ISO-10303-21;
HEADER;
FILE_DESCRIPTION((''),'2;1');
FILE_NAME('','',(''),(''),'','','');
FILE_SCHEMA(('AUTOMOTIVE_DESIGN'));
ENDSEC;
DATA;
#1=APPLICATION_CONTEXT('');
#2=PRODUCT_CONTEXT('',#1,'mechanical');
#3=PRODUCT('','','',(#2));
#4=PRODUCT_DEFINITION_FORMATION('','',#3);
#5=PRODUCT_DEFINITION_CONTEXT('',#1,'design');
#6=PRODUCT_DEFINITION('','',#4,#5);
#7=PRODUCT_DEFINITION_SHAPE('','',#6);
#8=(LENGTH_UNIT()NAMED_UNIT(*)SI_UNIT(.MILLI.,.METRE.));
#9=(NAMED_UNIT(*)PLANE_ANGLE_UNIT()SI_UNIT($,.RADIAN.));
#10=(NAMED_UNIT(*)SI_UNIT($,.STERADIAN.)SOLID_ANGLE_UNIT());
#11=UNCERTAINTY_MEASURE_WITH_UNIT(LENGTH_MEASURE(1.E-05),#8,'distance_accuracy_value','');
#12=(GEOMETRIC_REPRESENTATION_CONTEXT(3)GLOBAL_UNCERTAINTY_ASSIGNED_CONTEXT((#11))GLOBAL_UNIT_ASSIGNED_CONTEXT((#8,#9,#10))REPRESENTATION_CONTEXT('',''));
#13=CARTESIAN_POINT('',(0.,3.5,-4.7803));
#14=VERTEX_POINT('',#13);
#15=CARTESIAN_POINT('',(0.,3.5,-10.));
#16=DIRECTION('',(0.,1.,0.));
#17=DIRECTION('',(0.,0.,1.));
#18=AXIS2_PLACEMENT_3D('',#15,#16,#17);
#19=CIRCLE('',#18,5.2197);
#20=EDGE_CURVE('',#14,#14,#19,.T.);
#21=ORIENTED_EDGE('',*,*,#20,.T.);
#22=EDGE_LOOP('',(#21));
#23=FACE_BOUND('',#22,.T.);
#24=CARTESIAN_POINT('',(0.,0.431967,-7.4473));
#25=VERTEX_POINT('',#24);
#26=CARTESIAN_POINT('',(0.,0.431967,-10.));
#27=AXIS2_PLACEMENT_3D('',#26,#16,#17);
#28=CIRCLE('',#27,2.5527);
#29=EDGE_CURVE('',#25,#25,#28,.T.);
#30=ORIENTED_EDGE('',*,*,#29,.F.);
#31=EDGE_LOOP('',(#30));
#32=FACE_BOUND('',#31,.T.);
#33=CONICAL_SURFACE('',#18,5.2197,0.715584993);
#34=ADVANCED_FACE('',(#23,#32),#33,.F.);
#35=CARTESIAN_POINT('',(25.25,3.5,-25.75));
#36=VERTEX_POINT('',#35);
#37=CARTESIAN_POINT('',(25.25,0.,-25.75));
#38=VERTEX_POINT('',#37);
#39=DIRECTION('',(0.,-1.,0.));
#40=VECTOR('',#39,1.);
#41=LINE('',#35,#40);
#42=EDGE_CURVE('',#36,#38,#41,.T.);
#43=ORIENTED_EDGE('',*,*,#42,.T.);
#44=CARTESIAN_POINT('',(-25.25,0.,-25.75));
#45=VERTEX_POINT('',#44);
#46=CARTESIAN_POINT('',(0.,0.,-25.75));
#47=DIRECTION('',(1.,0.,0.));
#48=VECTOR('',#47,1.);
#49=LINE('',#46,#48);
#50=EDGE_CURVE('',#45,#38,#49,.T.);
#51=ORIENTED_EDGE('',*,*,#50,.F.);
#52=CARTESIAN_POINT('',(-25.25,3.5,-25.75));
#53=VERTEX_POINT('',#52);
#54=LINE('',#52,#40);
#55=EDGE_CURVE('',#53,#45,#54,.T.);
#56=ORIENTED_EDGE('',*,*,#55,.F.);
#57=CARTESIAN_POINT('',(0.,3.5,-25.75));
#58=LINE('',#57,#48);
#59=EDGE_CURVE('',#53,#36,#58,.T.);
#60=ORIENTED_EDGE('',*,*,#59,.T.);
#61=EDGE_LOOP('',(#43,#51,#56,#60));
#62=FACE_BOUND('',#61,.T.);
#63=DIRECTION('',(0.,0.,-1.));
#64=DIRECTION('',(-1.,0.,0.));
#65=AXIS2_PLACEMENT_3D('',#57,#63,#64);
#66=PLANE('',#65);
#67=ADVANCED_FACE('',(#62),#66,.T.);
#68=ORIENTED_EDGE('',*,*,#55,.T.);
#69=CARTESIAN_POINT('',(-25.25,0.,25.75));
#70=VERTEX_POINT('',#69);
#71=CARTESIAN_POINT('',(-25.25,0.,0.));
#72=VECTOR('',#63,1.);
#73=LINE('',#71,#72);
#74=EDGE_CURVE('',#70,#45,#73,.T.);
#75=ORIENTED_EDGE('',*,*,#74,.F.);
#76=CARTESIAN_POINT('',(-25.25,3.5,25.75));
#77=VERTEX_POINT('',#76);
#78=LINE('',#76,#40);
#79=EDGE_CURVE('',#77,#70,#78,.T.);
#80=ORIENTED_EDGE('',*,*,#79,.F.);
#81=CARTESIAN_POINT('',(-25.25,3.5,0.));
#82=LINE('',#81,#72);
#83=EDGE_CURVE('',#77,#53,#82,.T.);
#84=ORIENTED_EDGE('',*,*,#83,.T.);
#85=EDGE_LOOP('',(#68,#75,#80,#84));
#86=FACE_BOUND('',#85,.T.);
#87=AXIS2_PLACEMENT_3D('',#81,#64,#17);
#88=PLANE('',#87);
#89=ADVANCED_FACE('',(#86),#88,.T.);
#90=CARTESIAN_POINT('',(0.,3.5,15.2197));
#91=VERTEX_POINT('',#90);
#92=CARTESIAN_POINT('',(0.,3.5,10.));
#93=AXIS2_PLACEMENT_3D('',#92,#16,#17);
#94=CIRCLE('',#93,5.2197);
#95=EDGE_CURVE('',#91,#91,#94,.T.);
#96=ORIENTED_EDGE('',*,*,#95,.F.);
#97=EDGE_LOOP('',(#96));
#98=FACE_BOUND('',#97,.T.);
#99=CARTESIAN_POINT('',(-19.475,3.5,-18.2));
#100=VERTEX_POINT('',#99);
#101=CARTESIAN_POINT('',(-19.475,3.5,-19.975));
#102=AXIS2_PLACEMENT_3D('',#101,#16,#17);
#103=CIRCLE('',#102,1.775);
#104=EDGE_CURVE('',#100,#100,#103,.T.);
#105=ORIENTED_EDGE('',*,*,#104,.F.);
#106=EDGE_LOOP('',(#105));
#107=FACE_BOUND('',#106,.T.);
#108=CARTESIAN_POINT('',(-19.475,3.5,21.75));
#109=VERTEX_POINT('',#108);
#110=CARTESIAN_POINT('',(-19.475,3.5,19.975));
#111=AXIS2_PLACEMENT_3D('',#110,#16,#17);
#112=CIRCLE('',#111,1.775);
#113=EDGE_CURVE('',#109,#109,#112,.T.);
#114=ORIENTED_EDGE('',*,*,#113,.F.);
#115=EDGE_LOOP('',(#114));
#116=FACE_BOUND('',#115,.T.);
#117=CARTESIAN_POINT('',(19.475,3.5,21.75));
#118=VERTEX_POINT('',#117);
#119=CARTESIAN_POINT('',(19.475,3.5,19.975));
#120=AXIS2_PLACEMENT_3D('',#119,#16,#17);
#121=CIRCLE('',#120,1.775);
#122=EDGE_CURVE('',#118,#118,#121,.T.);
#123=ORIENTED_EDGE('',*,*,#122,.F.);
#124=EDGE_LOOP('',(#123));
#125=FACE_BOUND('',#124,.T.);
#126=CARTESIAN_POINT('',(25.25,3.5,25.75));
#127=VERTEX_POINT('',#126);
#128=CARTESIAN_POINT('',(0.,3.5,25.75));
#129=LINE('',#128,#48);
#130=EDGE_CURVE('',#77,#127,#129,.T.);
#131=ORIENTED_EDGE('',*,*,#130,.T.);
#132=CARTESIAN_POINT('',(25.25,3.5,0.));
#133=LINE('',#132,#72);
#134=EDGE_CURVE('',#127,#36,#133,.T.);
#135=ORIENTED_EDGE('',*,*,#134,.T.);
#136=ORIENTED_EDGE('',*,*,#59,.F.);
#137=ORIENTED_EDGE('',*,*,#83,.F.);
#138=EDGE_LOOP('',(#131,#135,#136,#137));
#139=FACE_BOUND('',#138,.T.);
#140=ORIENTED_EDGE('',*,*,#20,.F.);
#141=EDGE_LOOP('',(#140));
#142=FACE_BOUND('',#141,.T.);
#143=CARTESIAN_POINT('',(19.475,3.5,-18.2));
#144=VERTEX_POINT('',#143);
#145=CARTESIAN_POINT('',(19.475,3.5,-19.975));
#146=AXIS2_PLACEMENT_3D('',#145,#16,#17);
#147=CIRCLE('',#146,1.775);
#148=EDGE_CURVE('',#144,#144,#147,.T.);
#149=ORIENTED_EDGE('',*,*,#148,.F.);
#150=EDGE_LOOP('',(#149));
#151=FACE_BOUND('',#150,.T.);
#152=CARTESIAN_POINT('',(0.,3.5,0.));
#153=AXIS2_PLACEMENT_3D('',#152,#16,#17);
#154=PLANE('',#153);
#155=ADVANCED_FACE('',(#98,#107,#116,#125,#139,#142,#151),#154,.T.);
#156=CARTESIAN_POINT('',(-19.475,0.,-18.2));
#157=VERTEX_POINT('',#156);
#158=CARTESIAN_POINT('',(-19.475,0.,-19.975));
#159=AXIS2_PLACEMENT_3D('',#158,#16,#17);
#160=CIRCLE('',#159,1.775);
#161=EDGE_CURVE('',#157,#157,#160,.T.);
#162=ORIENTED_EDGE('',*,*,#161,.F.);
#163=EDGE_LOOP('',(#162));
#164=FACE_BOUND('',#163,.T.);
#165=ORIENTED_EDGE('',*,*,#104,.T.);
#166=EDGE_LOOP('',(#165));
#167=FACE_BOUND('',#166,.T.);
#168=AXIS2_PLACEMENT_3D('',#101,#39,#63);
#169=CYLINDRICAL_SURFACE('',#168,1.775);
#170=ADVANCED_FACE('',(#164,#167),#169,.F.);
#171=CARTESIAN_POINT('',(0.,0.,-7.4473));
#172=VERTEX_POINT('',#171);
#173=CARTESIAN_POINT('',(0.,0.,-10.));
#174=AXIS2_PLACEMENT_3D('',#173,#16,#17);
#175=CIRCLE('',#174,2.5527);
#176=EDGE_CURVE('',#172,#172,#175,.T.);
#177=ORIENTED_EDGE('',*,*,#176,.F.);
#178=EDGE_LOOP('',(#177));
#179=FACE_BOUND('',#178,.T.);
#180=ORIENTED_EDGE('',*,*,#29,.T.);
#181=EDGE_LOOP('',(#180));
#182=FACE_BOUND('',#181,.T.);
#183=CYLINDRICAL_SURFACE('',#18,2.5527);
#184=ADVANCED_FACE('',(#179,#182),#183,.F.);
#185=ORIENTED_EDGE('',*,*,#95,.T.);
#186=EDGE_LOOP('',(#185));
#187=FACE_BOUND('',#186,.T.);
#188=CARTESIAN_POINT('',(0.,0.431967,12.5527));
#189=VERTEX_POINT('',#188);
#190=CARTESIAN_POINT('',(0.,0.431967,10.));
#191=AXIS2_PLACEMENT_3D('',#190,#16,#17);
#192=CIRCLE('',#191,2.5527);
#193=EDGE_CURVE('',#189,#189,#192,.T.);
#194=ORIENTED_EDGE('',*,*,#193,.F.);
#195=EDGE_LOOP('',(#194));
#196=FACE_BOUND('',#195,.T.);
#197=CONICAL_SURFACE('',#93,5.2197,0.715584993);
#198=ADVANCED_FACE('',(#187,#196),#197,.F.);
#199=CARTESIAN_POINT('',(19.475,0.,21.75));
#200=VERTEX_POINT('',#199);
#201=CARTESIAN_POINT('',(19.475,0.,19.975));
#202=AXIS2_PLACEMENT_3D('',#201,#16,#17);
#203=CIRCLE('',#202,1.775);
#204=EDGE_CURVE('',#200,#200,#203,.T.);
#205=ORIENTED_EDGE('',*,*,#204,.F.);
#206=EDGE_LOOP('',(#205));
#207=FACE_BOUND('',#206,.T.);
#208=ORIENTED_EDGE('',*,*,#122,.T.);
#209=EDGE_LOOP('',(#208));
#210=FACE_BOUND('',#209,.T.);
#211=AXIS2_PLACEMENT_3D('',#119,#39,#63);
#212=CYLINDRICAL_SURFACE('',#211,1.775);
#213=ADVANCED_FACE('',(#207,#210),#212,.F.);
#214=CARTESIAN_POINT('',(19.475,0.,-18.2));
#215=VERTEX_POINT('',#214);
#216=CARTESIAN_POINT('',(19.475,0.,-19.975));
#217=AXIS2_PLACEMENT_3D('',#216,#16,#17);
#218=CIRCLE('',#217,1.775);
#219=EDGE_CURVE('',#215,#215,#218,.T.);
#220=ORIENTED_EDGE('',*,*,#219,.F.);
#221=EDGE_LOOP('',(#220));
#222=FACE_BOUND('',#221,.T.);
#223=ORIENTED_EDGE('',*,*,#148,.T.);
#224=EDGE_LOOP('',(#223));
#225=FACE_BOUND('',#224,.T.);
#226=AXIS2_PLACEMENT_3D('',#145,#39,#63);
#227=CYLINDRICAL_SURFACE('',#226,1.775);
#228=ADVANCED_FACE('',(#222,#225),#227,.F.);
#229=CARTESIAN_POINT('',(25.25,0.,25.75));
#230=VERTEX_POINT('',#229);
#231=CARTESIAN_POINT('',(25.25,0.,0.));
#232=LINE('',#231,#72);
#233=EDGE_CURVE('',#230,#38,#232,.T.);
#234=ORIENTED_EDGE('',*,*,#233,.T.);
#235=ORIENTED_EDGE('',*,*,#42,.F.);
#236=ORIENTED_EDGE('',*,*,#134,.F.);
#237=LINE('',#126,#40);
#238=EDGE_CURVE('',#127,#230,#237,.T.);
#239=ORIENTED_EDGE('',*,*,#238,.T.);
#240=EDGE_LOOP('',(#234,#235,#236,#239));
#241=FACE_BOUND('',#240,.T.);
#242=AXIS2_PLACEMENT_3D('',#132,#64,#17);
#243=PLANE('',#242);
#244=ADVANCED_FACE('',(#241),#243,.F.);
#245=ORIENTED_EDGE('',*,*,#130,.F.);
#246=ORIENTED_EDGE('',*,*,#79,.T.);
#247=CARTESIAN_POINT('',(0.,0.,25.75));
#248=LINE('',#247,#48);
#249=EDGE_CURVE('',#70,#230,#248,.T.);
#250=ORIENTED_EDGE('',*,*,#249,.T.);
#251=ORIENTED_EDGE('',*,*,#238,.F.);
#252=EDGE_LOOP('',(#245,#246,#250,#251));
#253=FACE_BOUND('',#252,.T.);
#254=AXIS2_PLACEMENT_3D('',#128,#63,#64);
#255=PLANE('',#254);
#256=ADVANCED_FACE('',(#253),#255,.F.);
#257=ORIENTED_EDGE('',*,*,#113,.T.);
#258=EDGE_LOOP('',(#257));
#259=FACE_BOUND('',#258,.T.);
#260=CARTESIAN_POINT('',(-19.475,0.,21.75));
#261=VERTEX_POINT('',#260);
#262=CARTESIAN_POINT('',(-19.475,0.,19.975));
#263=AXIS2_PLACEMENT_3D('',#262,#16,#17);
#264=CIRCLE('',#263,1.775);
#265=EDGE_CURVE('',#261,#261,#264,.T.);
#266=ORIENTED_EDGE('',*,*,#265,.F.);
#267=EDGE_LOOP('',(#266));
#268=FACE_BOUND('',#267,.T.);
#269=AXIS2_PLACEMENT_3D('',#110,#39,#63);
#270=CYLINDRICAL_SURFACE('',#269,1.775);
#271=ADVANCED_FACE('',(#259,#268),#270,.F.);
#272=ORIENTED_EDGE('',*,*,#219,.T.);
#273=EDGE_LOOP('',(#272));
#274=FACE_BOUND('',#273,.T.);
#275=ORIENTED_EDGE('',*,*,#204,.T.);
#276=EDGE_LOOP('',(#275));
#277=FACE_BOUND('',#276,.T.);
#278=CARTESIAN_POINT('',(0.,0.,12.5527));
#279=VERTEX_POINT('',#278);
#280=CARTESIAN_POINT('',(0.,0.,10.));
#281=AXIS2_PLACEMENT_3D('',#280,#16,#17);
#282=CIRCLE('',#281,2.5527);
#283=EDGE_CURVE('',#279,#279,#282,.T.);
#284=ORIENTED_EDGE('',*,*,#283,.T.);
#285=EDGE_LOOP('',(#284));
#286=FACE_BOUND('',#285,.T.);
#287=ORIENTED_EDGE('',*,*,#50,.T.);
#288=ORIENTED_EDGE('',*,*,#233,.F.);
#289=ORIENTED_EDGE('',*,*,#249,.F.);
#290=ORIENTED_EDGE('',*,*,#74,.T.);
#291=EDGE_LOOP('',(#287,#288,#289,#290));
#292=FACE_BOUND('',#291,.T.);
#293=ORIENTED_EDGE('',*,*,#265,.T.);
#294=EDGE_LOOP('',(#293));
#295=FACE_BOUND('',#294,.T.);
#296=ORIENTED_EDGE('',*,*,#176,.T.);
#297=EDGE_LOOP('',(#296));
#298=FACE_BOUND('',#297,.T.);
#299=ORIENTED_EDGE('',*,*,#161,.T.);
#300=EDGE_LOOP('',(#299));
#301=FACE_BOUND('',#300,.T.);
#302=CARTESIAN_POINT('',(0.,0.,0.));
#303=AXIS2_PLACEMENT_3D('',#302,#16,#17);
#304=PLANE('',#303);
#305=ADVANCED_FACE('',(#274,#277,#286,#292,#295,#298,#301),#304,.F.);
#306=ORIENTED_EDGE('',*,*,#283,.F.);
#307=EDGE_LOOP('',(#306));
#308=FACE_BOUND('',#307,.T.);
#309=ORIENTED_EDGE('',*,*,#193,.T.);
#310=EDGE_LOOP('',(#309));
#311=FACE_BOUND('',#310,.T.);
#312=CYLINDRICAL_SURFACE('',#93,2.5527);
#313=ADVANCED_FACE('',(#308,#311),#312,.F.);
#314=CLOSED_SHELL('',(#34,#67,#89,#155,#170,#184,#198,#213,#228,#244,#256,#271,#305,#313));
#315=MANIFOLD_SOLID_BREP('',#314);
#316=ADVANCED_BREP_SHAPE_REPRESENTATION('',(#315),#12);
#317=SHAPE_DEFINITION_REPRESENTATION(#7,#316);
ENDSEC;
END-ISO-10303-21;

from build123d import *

# Parameters (mm, degrees)
SKETCH1_W                                   = 50.5
SKETCH1_H                                   = 51.5
SKETCH1_R                                   = 1.775
BOSS_EXTRUDE1_DEPTH                         = 3.5
CSK_FOR_10_FLAT_HEAD_SOCKET_CAP_SCR_2_COUNT = 2
CSK_FOR_10_FLAT_HEAD_SOCKET_CAP_SCR_2_PITCH = 20


with BuildPart() as part:
    # Sketch1 → Boss-Extrude1 (new body)
    with BuildSketch(Plane(origin=(0, 0, 0), x_dir=(1, 0, 0), z_dir=(0, 1, 0))):
        Rectangle(SKETCH1_W, SKETCH1_H)
        with Locations(Location((-19.475, 19.975, 0), (0, 0, 270))):
            Circle(SKETCH1_R, mode=Mode.SUBTRACT)
        with Locations(Location((19.475, 19.975, 0), (0, 0, 270))):
            Circle(SKETCH1_R, mode=Mode.SUBTRACT)
        with Locations(Location((19.475, -19.975, 0), (0, 0, 270))):
            Circle(SKETCH1_R, mode=Mode.SUBTRACT)
        with Locations(Location((-19.475, -19.975, 0), (0, 0, 270))):
            Circle(SKETCH1_R, mode=Mode.SUBTRACT)
    extrude(amount=BOSS_EXTRUDE1_DEPTH)

    # Sketch4 → CSK for #10 Flat Head Socket Cap Screw1 (revolve, cut)
    with BuildSketch(Plane(origin=(0, 3.5, -10), x_dir=(0, 0, 1), z_dir=(1, 0, 0))):
        Polygon((0, 0), (0, 3.5), (2.5527, 3.5), (2.5527, 3.068032542), (5.2197, 0), align=None)
    csk_for_10_flat_head_socket_cap_screw1 = revolve(axis=Axis((0, 9.85, -10), (0, -1, 0)), mode=Mode.SUBTRACT)

    # CSK for _10 Flat Head Socket Cap Scr 2: CSK for #10 Flat Head Socket Cap Screw1 ×2
    with Locations(*[(0, 0, i * CSK_FOR_10_FLAT_HEAD_SOCKET_CAP_SCR_2_PITCH) for i in range(1, CSK_FOR_10_FLAT_HEAD_SOCKET_CAP_SCR_2_COUNT)]):
        add(csk_for_10_flat_head_socket_cap_screw1, mode=Mode.SUBTRACT)


solid = part.part
